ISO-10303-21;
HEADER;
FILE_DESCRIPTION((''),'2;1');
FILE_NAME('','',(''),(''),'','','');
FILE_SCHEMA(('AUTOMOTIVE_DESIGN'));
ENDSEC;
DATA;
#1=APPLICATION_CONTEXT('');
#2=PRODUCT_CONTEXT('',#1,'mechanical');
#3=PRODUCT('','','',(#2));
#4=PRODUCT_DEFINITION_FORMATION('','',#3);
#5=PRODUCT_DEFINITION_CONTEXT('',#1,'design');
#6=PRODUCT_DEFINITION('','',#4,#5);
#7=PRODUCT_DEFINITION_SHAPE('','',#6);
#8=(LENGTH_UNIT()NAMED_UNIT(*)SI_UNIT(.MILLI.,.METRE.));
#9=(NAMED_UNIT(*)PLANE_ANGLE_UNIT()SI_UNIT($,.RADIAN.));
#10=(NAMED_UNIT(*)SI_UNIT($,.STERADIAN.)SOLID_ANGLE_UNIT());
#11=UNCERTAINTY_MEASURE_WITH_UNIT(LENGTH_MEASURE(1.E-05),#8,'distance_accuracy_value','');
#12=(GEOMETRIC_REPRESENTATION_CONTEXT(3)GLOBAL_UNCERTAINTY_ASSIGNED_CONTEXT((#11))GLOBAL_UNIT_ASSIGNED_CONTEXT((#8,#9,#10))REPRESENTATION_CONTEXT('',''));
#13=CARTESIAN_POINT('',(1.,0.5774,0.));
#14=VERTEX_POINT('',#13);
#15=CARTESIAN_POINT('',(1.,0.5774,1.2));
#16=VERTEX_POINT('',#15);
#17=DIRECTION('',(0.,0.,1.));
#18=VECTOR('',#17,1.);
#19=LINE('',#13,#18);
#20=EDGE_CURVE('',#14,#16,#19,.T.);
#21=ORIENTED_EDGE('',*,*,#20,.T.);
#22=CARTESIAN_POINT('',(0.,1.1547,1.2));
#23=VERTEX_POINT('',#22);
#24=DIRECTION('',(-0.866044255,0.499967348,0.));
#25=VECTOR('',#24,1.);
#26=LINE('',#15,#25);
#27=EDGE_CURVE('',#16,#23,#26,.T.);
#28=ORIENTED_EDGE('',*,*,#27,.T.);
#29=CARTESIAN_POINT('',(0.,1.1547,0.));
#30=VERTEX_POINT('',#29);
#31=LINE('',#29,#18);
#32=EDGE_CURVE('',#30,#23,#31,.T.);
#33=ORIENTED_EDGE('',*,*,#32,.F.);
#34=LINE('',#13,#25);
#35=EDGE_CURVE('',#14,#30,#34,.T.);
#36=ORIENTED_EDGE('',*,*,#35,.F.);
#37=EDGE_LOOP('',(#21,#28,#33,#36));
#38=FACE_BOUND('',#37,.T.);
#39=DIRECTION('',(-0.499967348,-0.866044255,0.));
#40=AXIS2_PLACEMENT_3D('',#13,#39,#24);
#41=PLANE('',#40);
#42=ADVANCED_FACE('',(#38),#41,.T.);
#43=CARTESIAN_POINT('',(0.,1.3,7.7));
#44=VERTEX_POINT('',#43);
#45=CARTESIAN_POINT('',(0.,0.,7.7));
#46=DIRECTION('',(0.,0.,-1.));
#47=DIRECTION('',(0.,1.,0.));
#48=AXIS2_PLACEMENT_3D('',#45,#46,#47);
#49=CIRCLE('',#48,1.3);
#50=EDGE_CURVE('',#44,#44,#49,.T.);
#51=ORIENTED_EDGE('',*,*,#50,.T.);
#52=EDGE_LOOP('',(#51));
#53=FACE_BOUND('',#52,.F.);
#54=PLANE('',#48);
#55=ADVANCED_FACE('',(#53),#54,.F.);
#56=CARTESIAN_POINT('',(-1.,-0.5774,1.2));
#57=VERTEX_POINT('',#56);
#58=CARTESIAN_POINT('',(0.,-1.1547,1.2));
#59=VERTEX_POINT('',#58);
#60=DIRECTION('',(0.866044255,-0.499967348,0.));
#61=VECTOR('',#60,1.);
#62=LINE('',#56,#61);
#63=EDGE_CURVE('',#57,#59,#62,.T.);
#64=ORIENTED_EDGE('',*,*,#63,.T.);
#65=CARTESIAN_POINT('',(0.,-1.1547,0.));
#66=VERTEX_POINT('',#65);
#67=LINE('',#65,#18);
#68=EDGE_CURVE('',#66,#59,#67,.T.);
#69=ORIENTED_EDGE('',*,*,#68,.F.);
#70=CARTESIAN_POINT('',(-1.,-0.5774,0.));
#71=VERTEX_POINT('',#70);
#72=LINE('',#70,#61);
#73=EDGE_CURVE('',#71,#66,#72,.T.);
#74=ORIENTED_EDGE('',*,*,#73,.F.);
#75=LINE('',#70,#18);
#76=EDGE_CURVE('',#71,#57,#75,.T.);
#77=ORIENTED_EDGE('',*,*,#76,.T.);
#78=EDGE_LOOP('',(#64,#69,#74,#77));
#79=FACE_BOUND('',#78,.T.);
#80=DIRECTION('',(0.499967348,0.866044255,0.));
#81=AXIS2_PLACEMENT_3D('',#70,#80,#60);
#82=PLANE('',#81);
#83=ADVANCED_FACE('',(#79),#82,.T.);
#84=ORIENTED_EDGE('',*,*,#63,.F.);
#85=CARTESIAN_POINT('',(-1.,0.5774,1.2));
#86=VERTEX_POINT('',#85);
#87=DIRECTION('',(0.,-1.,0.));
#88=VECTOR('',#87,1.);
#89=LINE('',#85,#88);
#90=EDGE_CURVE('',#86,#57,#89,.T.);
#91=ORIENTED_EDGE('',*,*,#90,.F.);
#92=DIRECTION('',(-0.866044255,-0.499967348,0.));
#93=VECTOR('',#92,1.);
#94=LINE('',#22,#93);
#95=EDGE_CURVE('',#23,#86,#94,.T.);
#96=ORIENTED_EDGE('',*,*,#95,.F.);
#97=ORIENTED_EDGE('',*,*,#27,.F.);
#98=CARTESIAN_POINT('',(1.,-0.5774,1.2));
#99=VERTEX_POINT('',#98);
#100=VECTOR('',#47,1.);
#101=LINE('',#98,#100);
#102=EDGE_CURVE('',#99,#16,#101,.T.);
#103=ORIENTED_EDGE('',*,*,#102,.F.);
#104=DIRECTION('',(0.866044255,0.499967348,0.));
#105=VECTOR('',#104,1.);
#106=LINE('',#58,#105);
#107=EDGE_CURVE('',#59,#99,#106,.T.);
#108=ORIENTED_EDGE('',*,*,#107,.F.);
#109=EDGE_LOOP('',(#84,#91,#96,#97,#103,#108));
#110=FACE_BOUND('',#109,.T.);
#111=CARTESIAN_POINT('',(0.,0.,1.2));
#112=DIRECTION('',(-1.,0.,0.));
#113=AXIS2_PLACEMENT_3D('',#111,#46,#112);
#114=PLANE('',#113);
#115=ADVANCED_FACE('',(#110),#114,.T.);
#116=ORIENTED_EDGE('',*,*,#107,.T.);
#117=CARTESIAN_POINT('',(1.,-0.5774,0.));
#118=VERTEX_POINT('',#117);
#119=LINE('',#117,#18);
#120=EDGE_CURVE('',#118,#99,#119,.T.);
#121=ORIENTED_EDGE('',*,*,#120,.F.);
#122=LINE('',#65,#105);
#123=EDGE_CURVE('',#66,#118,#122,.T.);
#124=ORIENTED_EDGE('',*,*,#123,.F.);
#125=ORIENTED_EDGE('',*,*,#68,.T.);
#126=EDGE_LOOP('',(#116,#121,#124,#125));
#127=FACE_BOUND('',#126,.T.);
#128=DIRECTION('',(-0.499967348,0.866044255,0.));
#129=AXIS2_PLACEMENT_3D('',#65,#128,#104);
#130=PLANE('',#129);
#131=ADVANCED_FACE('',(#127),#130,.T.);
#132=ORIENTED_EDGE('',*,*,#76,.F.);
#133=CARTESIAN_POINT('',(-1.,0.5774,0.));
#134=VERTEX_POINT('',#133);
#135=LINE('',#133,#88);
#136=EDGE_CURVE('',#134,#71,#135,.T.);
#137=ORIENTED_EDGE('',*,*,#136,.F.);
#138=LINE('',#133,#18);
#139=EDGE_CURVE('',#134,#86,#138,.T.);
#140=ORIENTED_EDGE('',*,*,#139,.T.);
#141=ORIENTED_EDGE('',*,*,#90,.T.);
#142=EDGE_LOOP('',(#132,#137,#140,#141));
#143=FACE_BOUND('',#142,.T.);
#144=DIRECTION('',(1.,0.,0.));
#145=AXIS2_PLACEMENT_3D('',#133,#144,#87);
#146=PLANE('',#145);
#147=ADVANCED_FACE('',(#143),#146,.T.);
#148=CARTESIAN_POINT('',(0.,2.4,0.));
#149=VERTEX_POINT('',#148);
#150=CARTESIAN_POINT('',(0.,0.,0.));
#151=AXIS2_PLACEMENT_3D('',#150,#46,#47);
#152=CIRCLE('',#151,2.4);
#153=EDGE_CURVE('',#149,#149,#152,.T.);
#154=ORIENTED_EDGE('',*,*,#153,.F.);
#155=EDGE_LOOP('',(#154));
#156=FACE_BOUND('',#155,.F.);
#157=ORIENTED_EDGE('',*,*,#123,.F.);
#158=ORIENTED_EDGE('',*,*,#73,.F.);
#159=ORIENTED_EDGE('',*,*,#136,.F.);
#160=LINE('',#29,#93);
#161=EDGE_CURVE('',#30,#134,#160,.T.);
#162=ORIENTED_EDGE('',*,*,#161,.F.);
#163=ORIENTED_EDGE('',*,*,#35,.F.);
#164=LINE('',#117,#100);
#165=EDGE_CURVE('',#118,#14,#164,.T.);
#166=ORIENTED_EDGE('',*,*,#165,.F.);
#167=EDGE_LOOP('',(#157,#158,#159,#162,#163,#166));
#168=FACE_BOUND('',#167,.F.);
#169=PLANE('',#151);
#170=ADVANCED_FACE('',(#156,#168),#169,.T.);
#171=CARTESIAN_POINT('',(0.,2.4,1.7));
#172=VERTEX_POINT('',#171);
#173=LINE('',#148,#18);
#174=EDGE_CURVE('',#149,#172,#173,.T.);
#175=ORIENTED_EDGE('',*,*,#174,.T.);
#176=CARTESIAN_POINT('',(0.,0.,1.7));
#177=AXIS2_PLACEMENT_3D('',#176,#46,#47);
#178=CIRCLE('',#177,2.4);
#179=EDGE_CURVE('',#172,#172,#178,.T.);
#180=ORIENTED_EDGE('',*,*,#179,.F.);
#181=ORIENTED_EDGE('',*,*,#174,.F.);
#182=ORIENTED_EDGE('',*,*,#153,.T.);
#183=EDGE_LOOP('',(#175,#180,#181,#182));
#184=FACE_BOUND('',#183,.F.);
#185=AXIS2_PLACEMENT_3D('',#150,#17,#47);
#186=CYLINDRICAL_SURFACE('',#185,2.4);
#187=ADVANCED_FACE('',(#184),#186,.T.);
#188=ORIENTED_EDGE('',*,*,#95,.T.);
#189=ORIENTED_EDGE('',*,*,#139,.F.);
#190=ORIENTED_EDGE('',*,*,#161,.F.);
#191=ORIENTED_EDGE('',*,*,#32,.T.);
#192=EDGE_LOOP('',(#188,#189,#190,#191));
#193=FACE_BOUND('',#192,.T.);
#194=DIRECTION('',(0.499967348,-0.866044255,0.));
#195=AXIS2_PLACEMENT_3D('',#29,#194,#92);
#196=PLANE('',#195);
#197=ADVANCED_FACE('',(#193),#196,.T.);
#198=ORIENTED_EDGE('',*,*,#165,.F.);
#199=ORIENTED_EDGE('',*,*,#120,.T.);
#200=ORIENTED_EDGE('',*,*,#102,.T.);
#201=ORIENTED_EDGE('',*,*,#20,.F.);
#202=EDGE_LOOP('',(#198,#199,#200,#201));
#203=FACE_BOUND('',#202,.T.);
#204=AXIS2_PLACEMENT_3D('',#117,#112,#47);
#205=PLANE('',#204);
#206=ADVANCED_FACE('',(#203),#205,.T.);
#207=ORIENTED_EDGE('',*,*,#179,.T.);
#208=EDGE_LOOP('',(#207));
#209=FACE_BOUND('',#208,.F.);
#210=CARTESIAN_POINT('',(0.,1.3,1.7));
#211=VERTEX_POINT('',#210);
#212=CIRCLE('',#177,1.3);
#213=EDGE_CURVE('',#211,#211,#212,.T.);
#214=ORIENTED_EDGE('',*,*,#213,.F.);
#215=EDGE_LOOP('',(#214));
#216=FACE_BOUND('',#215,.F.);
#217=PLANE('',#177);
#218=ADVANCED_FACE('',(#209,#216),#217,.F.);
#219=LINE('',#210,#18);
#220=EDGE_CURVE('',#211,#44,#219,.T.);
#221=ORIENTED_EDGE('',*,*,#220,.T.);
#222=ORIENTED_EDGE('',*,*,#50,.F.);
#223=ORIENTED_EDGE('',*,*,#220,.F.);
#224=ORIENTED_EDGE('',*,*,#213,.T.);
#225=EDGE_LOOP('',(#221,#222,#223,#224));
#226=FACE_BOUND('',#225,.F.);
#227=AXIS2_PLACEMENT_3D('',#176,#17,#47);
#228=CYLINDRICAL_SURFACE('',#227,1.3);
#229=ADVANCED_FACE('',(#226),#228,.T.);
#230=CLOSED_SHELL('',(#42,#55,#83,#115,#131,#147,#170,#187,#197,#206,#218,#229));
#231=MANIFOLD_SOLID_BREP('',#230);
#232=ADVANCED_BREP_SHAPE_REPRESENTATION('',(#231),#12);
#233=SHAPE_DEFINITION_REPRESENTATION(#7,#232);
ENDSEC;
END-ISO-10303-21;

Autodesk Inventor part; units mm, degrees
ref_plane "YZ Plane" through (0, 0, 0) normal (1, 0, 0) x (0, 1, 0)
ref_plane "XZ Plane" through (0, 0, 0) normal (0, 1, 0) x (-1, 0, 0)
ref_plane "XY Plane" through (0, 0, 0) normal (0, 0, 1) x (1, 0, 0)
sketch "スケッチ1" plane through (0, 0, 0) normal (1, 0, 0) x (0, 1, 0)
  line L0 (0, 7.7) -> (0, 0)
  line L1 (0, 0) -> (2.4, 0)
  line L2 (2.4, 0) -> (2.4, 1.7)
  line L3 (2.4, 1.7) -> (1.3, 1.7)
  line L4 (1.3, 1.7) -> (1.3, 7.7)
  line L5 (1.3, 7.7) -> (0, 7.7)
  dimension "d2" = 1.7
  dimension "d10" = 6
  dimension "d11" = 2.6
  dimension "d12" = 4.8
revolve "回転1" add sketch "スケッチ1" angle 360 about axis through (0, 0, 7.7) along (0, 0, -1)
thread "ねじ1" size "M2.6x0.45" class "6g" standard "ANSI Metric M Profile" full length
sketch "スケッチ2" plane through (0, 0, 0) normal (0, 0, -1) x (-1, 0, 0)
  line L0 (0, 1.1547) -> (1, 0.5774)
  line L1 (1, 0.5774) -> (1, -0.5774)
  line L2 (1, -0.5774) -> (0, -1.1547)
  line L3 (0, -1.1547) -> (-1, -0.5774)
  line L4 (-1, -0.5774) -> (-1, 0.5774)
  line L5 (-1, 0.5774) -> (0, 1.1547)
  circle A0 centre (0, 0) radius 2.4 projected
  line L6 (0, 2.4) -> (0, -2.4) construction
  point P0 (0, 0)
  dimension "d7" = 2
extrude "押し出し1" cut sketch "スケッチ2" against normal blind 1.2 contours L0 L1 L2 L3 L4 L5
properties part number "M2_6-6" material "ステンレス鋼 AISI 304"
